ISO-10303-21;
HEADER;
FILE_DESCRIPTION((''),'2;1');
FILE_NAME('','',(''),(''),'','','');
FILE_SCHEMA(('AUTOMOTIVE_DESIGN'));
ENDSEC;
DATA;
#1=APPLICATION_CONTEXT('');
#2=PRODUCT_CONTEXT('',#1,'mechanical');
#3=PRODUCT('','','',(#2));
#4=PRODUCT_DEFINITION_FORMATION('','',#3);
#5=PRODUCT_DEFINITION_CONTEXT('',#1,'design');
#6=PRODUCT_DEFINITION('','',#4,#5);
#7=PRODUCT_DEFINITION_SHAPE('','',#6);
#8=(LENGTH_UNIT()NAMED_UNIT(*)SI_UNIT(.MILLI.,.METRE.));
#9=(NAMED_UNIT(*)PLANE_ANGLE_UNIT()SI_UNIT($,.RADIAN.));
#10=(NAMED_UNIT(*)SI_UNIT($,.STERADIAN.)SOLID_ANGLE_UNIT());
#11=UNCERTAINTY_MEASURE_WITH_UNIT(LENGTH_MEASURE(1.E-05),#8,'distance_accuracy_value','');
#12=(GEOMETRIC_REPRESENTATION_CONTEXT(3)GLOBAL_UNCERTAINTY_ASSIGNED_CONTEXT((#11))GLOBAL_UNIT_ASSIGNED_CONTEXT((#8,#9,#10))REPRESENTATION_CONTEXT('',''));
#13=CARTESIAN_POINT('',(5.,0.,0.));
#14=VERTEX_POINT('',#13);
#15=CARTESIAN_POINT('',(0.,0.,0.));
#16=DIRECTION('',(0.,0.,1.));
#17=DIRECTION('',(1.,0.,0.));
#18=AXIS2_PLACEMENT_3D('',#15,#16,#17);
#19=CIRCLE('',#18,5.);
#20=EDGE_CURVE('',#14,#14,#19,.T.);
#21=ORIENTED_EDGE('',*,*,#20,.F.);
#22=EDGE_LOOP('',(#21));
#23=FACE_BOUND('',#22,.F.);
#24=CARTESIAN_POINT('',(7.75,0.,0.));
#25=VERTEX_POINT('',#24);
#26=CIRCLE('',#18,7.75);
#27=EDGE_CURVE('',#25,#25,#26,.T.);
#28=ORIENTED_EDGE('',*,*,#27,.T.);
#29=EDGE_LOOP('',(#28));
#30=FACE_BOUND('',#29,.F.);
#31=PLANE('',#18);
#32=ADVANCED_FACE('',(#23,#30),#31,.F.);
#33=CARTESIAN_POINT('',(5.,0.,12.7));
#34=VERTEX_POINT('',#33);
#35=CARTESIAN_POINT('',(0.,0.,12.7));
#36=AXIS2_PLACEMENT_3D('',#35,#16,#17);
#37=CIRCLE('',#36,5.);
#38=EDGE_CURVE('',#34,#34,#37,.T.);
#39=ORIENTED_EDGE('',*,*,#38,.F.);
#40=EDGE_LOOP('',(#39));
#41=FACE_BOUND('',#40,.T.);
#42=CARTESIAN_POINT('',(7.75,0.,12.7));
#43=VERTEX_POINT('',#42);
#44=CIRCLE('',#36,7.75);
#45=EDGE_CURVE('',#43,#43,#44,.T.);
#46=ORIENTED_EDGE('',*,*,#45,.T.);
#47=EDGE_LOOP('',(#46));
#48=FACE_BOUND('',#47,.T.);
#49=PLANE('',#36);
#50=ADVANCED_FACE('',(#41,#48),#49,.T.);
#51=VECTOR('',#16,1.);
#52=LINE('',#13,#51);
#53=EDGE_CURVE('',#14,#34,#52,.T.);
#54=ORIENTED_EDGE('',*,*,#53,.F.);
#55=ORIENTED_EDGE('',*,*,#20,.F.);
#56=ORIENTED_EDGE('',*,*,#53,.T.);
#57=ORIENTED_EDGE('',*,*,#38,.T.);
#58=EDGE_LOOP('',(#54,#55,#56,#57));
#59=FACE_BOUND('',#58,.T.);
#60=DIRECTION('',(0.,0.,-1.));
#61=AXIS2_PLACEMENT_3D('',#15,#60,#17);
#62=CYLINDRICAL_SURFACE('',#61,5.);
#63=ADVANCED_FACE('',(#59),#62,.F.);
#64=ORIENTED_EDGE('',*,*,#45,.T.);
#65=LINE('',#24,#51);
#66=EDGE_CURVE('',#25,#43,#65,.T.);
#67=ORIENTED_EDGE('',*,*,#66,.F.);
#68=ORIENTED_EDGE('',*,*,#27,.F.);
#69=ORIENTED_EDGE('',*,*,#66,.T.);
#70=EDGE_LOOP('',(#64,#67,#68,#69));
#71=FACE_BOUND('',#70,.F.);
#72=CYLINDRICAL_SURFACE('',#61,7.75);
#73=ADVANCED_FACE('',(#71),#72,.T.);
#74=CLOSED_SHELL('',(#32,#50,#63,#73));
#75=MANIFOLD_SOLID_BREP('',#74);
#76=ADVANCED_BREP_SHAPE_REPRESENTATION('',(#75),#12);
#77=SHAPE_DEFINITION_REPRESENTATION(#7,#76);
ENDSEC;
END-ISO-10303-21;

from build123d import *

# Parameters (mm, degrees)
SKETCH_R   = 7.75
SKETCH_R_2 = 5
PAD_DEPTH  = 12.7


with BuildPart() as part:
    # Sketch → Pad (new body)
    with BuildSketch(Plane.XY):
        Circle(SKETCH_R)
        Circle(SKETCH_R_2, mode=Mode.SUBTRACT)
    extrude(amount=PAD_DEPTH)


solid = part.part
